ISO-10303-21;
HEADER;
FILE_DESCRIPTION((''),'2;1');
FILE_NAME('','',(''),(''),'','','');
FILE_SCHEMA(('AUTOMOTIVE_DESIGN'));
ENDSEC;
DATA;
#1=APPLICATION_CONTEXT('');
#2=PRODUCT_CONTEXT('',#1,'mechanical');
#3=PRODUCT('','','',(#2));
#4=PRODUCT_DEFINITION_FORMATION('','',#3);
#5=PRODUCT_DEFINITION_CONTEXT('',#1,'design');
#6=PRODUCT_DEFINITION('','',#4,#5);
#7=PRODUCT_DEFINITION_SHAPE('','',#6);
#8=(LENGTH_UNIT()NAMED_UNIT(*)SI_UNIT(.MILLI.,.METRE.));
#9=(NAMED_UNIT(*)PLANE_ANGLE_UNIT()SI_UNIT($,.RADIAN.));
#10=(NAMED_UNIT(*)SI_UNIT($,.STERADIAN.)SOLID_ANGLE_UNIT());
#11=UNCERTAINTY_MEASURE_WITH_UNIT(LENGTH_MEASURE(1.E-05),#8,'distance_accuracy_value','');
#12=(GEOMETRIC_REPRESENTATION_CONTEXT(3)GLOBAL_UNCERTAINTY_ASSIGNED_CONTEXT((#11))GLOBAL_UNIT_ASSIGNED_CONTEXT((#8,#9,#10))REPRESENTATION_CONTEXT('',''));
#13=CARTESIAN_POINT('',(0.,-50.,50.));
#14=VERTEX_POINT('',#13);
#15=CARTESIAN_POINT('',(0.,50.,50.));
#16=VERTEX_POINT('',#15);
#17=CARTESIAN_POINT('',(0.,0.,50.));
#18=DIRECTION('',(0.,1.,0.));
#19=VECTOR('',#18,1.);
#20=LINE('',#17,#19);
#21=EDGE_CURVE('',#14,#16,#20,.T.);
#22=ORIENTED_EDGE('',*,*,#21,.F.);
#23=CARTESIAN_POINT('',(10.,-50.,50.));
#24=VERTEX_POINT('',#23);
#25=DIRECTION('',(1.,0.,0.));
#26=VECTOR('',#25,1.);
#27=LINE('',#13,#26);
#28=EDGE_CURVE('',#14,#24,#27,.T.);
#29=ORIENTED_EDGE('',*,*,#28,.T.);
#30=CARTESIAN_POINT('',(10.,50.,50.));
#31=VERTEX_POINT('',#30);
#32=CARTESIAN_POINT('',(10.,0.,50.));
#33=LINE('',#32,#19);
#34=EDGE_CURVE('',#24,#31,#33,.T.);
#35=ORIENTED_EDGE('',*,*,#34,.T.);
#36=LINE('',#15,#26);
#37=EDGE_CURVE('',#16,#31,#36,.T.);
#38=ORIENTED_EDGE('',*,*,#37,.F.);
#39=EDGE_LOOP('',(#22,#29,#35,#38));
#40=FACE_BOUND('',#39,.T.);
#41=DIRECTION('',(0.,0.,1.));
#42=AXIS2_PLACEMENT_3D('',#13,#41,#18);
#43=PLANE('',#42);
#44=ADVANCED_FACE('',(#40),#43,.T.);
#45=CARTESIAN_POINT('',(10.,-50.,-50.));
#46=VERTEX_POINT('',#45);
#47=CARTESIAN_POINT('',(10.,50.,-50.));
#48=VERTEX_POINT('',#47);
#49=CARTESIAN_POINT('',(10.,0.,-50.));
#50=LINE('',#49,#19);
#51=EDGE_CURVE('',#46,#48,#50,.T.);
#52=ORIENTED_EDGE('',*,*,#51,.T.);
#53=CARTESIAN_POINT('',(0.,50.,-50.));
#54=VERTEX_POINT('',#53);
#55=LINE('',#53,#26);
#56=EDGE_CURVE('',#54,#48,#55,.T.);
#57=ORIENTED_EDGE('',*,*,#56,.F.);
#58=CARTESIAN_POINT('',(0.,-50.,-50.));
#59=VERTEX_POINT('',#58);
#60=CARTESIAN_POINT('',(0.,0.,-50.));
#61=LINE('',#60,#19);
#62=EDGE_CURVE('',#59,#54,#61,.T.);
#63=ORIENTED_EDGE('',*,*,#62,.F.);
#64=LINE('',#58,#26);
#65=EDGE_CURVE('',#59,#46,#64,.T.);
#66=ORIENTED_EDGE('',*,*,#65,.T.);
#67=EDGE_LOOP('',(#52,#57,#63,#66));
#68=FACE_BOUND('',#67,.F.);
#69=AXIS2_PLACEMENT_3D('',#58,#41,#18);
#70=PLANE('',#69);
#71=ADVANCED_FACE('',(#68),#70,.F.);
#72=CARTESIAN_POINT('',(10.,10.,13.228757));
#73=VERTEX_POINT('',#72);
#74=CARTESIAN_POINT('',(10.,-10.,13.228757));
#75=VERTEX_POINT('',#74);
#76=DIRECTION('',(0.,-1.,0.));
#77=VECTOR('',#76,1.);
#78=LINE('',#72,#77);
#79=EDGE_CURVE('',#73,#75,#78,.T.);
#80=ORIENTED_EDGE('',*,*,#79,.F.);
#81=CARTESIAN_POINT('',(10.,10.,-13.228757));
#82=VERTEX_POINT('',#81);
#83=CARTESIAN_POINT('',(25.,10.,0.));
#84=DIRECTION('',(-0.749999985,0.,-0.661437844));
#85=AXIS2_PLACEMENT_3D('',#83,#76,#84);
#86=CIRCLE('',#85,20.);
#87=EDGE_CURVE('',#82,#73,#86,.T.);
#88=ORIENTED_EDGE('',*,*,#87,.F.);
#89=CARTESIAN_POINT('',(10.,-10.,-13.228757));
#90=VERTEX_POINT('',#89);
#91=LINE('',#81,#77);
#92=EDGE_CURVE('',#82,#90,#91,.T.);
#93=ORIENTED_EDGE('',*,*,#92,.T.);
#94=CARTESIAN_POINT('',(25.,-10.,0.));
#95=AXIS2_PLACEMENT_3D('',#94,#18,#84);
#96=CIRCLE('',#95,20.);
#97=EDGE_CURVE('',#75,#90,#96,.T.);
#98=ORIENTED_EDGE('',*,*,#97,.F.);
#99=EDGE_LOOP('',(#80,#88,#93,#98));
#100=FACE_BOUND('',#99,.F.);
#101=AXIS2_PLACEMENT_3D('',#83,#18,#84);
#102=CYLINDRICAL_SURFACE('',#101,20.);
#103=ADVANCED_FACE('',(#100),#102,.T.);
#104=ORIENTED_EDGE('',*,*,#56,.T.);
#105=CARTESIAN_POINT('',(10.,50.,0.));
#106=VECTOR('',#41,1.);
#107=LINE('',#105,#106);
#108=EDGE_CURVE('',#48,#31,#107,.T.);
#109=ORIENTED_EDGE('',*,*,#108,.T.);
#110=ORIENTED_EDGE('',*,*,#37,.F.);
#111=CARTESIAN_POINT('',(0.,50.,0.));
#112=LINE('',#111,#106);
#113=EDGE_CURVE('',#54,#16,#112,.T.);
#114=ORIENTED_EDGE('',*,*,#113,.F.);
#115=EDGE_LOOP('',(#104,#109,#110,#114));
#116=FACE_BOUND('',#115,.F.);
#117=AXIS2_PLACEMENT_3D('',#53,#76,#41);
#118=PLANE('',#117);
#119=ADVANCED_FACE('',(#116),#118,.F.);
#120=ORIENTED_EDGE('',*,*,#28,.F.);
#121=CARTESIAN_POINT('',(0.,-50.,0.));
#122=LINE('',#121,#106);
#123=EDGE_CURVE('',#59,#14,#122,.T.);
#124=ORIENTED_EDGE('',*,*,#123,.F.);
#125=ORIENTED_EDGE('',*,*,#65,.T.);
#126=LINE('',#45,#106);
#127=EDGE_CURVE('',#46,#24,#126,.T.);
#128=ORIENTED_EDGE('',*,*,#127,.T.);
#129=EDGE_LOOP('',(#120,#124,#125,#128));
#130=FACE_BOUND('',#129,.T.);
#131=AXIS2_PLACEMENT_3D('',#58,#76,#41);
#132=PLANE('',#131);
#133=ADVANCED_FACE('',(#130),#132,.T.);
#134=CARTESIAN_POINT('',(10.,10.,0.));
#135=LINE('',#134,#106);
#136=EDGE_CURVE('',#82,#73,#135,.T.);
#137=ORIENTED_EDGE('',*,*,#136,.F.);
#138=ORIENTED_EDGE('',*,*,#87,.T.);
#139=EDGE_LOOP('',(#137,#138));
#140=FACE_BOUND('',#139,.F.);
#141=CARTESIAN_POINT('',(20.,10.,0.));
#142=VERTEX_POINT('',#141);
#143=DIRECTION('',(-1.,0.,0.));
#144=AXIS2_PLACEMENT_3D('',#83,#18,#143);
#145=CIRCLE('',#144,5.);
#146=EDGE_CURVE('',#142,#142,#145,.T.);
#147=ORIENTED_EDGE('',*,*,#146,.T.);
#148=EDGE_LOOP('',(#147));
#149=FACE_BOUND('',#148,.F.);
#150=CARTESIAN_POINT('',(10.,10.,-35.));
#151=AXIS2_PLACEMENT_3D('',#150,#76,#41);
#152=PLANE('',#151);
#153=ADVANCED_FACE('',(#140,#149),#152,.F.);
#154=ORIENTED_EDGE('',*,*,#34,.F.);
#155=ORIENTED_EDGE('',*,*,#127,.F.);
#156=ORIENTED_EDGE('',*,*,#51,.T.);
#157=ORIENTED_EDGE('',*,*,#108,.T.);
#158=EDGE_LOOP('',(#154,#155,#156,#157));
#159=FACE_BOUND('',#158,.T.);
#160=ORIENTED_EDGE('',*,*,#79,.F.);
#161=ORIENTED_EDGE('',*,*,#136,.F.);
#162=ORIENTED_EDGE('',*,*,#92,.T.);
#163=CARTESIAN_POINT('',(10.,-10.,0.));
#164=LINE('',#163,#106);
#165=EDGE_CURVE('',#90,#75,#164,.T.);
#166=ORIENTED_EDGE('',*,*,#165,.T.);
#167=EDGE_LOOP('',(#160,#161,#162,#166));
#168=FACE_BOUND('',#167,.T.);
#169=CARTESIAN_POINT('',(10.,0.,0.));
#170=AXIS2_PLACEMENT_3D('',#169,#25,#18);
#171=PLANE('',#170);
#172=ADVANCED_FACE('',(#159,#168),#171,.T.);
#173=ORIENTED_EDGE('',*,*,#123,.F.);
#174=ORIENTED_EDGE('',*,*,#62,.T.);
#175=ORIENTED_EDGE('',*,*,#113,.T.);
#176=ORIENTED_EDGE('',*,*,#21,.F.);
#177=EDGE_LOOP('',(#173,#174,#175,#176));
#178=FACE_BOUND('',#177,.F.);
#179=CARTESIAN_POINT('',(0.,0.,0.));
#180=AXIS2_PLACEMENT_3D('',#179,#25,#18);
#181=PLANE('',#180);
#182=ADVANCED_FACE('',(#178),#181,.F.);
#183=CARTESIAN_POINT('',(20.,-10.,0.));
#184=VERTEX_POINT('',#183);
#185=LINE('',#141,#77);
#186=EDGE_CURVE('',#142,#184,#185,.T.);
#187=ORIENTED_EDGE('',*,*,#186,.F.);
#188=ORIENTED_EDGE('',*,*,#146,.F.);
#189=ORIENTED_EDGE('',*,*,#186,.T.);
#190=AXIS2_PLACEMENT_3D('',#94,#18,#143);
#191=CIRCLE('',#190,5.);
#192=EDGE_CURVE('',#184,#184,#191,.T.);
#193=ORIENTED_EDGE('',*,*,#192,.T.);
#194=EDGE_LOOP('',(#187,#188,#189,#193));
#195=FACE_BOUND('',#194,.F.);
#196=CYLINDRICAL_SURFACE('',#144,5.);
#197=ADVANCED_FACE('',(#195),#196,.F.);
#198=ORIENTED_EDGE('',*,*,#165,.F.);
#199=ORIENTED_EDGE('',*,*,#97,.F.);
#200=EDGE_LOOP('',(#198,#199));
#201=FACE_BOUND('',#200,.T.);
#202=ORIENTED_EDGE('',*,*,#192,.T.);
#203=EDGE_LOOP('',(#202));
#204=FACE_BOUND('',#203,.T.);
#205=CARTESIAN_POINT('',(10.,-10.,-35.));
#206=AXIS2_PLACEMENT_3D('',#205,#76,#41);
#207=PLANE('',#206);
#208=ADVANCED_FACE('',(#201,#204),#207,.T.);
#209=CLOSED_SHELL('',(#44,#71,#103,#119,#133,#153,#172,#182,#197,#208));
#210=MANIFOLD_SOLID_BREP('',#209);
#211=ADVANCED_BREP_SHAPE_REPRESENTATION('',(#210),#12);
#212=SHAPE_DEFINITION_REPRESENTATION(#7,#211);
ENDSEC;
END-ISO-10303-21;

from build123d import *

# Parameters (mm, degrees)
F0_W     = 100
F0_H     = 100
F1_DEPTH = 10
F2_W     = 20
F2_H     = 70
F3_DEPTH = 70
F5_DEPTH = 60.001
F4_R     = 5
F6_DEPTH = 60.001


with BuildPart() as f1:
    # F0 (on Right) → F1 (new body)
    with BuildSketch(Plane.YZ):
        Rectangle(F0_W, F0_H)
    extrude(amount=F1_DEPTH)

    # F2 (on face) → F3 (join)
    with BuildSketch(Plane.YZ.offset(10)):
        Rectangle(F2_W, F2_H)
    extrude(amount=F3_DEPTH)

    # F4 (on face) → F5 (cut, through all)
    with BuildSketch(Plane(origin=(0, 10, 0), x_dir=(-1, 0, 0), z_dir=(0, 1, 0))):
        with BuildLine():
            ThreePointArc((-10, -13.228757), (-45, 0), (-10, 13.228757))
            Line((-10, 13.228757), (-10, 35))
            Line((-10, 35), (-80, 35))
            Line((-80, 35), (-80, -35))
            Line((-80, -35), (-10, -35))
            Line((-10, -35), (-10, -13.228757))
        make_face()
    extrude(amount=-F5_DEPTH, mode=Mode.SUBTRACT)

    # F4 (on face) → F6 (cut, through all)
    with BuildSketch(Plane(origin=(0, 10, 0), x_dir=(-1, 0, 0), z_dir=(0, 1, 0))):
        with Locations((-25, 0)):
            Circle(F4_R)
    extrude(amount=-F6_DEPTH, mode=Mode.SUBTRACT)


solid = f1.part
